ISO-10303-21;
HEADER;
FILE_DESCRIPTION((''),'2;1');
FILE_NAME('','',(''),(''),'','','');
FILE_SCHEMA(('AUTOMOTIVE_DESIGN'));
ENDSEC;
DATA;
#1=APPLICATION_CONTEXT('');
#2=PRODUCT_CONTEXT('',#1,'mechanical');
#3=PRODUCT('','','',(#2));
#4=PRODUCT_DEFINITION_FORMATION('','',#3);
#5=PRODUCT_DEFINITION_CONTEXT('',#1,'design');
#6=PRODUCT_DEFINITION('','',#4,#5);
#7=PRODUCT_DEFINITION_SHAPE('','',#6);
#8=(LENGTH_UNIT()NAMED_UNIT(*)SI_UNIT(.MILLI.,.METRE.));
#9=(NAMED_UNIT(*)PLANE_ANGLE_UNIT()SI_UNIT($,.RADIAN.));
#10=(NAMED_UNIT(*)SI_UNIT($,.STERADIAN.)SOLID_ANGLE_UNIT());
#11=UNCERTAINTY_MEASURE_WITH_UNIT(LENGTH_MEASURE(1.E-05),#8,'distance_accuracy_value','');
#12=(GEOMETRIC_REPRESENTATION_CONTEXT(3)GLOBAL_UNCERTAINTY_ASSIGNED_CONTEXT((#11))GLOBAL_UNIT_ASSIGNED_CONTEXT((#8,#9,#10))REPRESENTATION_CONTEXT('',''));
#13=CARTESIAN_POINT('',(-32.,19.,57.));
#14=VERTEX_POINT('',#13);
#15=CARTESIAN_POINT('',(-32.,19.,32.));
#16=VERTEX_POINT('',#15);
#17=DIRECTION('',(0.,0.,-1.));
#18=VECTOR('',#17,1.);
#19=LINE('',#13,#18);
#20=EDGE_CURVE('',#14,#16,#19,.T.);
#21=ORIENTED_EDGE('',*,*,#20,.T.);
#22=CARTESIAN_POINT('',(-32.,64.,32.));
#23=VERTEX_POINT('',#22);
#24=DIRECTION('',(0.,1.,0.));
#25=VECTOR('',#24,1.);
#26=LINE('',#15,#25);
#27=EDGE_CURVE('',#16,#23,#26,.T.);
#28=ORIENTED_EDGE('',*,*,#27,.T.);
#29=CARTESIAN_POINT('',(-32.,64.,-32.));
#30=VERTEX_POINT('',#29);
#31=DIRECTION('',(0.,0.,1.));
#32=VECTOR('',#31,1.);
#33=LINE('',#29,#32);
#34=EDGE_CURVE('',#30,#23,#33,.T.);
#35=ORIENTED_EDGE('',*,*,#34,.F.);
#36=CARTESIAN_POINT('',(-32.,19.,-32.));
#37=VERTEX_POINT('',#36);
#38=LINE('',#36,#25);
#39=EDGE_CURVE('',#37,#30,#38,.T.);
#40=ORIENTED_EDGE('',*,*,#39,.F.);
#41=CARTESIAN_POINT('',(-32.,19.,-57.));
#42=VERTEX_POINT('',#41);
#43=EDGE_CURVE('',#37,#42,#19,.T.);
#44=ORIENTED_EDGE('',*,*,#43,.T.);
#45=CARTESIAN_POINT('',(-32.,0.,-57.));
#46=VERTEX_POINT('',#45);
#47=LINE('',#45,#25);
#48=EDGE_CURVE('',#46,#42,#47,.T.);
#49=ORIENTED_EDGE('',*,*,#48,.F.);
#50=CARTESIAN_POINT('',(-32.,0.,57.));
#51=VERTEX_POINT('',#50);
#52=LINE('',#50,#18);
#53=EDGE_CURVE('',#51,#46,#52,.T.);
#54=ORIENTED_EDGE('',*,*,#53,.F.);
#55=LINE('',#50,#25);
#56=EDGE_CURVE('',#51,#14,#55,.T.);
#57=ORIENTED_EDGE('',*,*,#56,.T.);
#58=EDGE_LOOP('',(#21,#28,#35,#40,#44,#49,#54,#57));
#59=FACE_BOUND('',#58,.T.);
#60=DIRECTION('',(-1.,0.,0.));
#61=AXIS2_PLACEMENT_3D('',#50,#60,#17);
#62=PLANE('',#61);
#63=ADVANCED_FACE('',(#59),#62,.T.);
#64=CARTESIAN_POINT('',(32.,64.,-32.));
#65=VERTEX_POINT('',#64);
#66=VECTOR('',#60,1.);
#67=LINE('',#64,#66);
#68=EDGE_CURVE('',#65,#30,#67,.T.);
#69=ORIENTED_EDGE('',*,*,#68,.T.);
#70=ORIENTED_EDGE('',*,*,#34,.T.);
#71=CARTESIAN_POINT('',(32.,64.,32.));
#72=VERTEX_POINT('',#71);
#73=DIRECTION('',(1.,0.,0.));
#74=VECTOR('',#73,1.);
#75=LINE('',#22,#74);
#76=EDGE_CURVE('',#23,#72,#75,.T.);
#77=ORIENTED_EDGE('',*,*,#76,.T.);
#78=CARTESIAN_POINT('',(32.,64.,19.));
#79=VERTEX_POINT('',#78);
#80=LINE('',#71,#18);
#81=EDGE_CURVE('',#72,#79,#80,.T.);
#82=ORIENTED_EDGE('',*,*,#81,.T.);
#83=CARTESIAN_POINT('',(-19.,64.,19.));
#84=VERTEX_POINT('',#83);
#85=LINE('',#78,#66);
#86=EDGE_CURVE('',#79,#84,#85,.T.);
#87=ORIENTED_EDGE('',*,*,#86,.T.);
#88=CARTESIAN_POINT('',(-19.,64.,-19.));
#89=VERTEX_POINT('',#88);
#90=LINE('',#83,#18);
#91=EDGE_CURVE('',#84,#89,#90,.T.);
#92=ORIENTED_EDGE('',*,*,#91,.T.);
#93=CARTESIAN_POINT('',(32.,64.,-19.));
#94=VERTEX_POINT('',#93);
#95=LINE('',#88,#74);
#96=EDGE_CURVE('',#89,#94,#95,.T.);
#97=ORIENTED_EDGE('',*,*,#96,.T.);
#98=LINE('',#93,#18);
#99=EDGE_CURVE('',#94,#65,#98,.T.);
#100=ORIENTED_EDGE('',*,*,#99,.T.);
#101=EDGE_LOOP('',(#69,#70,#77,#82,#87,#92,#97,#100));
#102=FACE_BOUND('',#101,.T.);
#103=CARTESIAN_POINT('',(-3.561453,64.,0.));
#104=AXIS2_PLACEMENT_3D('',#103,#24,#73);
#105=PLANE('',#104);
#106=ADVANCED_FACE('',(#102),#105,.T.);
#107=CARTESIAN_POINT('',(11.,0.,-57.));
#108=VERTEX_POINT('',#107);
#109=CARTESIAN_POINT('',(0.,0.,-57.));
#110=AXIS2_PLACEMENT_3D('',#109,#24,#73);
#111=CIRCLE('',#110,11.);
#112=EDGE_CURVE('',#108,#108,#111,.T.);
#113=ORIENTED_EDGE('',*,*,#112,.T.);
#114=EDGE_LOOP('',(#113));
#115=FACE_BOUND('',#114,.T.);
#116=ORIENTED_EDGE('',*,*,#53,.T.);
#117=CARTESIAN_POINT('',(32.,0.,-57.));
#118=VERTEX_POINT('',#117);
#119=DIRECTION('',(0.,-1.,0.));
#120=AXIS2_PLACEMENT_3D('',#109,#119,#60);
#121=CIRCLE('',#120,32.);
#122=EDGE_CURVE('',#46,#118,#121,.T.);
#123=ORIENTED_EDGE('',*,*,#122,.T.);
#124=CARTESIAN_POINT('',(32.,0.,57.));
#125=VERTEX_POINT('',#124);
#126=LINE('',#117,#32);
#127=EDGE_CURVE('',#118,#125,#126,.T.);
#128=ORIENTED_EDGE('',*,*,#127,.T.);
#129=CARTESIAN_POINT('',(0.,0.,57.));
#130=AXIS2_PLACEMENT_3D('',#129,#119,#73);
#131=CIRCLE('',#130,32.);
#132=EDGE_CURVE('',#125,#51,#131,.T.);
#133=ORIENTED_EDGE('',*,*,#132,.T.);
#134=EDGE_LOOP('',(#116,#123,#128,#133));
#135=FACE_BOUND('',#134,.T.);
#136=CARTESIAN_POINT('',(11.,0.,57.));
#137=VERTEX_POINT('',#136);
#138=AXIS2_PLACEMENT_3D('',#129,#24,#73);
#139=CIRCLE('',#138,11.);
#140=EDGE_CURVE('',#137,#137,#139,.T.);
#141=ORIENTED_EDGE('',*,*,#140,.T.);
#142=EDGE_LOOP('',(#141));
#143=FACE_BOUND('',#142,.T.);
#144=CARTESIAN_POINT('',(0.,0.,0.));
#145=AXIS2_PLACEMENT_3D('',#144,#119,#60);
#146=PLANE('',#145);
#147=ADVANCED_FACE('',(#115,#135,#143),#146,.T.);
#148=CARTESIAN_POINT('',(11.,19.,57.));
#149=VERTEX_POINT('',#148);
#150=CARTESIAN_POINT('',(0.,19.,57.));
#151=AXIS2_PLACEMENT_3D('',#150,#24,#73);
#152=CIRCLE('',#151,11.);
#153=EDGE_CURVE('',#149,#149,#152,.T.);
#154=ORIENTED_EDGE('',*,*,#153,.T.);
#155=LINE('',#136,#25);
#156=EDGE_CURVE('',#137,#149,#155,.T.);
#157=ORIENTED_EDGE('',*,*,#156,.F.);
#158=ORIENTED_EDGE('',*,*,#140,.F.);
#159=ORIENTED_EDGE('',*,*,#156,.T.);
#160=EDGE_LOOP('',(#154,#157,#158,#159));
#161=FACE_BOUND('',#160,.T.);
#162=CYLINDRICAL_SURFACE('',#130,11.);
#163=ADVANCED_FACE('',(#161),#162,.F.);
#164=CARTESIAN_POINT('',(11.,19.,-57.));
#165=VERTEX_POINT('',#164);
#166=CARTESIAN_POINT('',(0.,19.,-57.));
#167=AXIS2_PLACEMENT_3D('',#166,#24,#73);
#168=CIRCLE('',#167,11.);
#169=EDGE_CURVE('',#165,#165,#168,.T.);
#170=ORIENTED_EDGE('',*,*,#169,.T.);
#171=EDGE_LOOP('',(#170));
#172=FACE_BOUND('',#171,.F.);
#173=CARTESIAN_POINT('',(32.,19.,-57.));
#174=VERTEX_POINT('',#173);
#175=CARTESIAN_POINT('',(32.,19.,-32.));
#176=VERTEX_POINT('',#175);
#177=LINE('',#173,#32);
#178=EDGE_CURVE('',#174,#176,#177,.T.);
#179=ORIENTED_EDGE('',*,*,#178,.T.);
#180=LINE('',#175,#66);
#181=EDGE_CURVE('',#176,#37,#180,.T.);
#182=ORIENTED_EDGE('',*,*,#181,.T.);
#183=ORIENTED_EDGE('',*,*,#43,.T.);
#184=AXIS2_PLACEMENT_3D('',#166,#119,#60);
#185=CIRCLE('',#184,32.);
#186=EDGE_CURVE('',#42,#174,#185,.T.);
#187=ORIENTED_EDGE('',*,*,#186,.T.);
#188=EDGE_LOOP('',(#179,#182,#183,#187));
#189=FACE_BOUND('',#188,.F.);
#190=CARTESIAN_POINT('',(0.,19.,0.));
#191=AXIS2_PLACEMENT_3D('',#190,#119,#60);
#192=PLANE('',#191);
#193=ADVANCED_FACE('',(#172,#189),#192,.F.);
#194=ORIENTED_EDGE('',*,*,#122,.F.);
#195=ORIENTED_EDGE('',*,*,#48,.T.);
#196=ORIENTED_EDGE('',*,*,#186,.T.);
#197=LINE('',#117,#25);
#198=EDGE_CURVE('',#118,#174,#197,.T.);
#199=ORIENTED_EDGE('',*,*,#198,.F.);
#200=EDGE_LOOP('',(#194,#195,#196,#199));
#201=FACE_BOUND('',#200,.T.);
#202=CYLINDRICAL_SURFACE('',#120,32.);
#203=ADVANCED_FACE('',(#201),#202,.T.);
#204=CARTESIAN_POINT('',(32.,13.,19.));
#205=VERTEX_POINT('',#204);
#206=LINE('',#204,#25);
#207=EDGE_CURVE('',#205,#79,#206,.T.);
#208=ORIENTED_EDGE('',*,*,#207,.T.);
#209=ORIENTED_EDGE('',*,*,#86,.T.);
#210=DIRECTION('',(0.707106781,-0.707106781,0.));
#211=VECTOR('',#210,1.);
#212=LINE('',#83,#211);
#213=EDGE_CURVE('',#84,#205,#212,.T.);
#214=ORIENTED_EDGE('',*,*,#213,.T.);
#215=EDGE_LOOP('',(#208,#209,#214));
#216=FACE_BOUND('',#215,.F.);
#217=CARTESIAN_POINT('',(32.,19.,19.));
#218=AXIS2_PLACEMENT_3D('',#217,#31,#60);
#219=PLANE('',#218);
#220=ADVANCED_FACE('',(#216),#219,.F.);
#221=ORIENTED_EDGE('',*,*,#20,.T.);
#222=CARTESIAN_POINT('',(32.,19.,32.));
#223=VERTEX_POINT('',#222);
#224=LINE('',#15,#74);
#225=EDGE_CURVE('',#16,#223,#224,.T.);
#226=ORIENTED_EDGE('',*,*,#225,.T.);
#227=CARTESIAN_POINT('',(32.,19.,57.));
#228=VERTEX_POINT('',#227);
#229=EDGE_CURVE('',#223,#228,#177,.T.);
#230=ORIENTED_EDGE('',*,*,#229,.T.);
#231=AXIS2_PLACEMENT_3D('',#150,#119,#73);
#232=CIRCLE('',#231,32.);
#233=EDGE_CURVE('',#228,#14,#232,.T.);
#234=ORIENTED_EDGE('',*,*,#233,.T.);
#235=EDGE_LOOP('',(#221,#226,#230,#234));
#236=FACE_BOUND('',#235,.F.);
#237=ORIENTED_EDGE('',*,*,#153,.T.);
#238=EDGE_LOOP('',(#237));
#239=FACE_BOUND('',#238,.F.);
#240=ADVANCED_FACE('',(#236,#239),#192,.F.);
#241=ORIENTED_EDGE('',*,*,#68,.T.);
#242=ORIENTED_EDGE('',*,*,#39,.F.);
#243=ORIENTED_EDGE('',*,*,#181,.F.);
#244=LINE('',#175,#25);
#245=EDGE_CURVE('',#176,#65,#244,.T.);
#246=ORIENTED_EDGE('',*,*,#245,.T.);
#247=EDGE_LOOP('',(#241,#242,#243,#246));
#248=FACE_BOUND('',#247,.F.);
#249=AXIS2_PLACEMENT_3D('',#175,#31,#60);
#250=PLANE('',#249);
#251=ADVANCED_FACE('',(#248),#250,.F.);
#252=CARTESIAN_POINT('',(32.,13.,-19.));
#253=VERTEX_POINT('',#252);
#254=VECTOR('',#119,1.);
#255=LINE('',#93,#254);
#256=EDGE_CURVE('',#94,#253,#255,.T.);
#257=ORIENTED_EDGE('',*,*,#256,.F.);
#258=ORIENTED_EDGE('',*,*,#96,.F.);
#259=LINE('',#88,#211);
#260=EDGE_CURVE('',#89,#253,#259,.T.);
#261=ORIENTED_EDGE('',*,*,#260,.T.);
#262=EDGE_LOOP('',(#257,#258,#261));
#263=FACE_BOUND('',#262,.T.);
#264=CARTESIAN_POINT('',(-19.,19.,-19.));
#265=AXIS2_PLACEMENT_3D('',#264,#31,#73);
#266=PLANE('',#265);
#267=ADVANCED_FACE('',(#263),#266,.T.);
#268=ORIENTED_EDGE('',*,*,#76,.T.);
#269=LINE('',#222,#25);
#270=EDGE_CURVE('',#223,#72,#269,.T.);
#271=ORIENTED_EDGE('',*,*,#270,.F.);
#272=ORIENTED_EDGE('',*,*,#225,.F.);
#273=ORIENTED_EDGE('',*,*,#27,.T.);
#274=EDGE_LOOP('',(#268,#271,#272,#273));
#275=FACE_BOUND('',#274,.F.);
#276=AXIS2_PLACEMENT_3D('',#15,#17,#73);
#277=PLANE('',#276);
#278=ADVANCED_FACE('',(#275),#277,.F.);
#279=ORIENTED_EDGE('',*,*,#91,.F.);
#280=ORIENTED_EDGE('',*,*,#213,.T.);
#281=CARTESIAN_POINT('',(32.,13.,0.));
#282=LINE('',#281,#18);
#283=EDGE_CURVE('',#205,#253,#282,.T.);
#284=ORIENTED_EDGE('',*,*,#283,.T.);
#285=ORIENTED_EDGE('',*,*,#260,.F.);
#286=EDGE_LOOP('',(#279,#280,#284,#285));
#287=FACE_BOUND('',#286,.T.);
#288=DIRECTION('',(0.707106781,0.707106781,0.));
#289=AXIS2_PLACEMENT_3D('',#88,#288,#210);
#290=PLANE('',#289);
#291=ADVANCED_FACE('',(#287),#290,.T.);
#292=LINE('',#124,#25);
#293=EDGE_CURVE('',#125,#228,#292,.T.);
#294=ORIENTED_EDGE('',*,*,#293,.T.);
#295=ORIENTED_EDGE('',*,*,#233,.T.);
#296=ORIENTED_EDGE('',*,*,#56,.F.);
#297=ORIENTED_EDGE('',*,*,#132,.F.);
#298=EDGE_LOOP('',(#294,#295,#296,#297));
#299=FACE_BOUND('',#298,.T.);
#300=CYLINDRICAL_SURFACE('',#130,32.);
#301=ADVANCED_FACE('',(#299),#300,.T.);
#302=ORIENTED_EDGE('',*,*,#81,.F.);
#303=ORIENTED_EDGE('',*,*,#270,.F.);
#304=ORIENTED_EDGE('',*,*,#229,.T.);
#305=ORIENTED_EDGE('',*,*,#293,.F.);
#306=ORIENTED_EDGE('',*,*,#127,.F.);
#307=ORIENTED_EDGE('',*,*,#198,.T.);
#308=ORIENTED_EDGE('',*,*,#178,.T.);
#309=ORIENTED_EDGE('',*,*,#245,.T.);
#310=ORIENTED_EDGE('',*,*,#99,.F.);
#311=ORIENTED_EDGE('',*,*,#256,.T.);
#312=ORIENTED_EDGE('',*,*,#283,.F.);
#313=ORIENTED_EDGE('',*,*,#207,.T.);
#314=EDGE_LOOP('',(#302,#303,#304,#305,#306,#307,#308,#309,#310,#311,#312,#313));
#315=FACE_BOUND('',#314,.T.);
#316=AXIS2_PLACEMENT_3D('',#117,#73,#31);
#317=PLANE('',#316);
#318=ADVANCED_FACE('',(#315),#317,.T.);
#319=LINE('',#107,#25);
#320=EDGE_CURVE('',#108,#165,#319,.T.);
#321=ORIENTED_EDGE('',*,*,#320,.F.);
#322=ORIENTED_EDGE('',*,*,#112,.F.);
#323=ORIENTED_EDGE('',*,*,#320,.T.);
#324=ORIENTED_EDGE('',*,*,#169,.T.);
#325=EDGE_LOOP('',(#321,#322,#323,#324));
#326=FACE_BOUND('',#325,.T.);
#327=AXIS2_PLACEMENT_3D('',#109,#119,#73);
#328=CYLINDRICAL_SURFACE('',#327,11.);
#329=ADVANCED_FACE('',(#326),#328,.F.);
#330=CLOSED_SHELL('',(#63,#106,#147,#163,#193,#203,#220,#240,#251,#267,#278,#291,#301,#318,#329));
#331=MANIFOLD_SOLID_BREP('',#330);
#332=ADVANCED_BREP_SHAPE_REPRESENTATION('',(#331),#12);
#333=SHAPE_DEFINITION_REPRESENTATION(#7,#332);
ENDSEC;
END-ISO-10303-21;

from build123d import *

# Parameters (mm, degrees)
IZIM1_R                     = 11
Y_KSEKLIK_EKSTR_ZYON1_DEPTH = 19
Y_KSEKLIK_EKSTR_ZYON2_DEPTH = 45
IZIM3_W                     = 51
IZIM3_H                     = 38
KES_EKSTR_ZYON1_DEPTH       = 6
Y_KSEKLIK_EKSTR_ZYON3_DEPTH = 38


with BuildPart() as part:
    # Çizim1 → Yükseklik-Ekstrüzyon1 (new body)
    with BuildSketch(Plane(origin=(0, 0, 0), x_dir=(1, 0, 0), z_dir=(0, 1, 0))):
        with BuildLine():
            Line((32, 57), (32, -57))
            ThreePointArc((32, -57), (0, -89), (-32, -57))
            Line((-32, -57), (-32, 57))
            ThreePointArc((-32, 57), (0, 89), (32, 57))
        make_face()
        with Locations((0, -57)):
            Circle(IZIM1_R, mode=Mode.SUBTRACT)
        with Locations((0, 57)):
            Circle(IZIM1_R, mode=Mode.SUBTRACT)
    extrude(amount=Y_KSEKLIK_EKSTR_ZYON1_DEPTH)

    # Çizim2 → Yükseklik-Ekstrüzyon2 (add)
    with BuildSketch(Plane(origin=(0, 19, 0), x_dir=(1, 0, 0), z_dir=(0, 1, 0))):
        Polygon((32, 32), (-32, 32), (-32, 26.829629141), (-32, -32), (-22.456517783, -32), (32, -32), (32, -19), (-19, -19), (-19, 19), (32, 19), align=None)
    extrude(amount=Y_KSEKLIK_EKSTR_ZYON2_DEPTH)

    # Çizim3 → Kes-Ekstrüzyon1 (cut)
    with BuildSketch(Plane(origin=(0, 19, 0), x_dir=(1, 0, 0), z_dir=(0, 1, 0))):
        with Locations((6.5, 0)):
            Rectangle(IZIM3_W, IZIM3_H)
    extrude(amount=-KES_EKSTR_ZYON1_DEPTH, mode=Mode.SUBTRACT)

    # Çizim4 → Yükseklik-Ekstrüzyon3 (add)
    with BuildSketch(Plane.XY.offset(-19)):
        Polygon((-19, 64), (32, 13), (-19, 13), align=None)
    extrude(amount=Y_KSEKLIK_EKSTR_ZYON3_DEPTH)


solid = part.part
